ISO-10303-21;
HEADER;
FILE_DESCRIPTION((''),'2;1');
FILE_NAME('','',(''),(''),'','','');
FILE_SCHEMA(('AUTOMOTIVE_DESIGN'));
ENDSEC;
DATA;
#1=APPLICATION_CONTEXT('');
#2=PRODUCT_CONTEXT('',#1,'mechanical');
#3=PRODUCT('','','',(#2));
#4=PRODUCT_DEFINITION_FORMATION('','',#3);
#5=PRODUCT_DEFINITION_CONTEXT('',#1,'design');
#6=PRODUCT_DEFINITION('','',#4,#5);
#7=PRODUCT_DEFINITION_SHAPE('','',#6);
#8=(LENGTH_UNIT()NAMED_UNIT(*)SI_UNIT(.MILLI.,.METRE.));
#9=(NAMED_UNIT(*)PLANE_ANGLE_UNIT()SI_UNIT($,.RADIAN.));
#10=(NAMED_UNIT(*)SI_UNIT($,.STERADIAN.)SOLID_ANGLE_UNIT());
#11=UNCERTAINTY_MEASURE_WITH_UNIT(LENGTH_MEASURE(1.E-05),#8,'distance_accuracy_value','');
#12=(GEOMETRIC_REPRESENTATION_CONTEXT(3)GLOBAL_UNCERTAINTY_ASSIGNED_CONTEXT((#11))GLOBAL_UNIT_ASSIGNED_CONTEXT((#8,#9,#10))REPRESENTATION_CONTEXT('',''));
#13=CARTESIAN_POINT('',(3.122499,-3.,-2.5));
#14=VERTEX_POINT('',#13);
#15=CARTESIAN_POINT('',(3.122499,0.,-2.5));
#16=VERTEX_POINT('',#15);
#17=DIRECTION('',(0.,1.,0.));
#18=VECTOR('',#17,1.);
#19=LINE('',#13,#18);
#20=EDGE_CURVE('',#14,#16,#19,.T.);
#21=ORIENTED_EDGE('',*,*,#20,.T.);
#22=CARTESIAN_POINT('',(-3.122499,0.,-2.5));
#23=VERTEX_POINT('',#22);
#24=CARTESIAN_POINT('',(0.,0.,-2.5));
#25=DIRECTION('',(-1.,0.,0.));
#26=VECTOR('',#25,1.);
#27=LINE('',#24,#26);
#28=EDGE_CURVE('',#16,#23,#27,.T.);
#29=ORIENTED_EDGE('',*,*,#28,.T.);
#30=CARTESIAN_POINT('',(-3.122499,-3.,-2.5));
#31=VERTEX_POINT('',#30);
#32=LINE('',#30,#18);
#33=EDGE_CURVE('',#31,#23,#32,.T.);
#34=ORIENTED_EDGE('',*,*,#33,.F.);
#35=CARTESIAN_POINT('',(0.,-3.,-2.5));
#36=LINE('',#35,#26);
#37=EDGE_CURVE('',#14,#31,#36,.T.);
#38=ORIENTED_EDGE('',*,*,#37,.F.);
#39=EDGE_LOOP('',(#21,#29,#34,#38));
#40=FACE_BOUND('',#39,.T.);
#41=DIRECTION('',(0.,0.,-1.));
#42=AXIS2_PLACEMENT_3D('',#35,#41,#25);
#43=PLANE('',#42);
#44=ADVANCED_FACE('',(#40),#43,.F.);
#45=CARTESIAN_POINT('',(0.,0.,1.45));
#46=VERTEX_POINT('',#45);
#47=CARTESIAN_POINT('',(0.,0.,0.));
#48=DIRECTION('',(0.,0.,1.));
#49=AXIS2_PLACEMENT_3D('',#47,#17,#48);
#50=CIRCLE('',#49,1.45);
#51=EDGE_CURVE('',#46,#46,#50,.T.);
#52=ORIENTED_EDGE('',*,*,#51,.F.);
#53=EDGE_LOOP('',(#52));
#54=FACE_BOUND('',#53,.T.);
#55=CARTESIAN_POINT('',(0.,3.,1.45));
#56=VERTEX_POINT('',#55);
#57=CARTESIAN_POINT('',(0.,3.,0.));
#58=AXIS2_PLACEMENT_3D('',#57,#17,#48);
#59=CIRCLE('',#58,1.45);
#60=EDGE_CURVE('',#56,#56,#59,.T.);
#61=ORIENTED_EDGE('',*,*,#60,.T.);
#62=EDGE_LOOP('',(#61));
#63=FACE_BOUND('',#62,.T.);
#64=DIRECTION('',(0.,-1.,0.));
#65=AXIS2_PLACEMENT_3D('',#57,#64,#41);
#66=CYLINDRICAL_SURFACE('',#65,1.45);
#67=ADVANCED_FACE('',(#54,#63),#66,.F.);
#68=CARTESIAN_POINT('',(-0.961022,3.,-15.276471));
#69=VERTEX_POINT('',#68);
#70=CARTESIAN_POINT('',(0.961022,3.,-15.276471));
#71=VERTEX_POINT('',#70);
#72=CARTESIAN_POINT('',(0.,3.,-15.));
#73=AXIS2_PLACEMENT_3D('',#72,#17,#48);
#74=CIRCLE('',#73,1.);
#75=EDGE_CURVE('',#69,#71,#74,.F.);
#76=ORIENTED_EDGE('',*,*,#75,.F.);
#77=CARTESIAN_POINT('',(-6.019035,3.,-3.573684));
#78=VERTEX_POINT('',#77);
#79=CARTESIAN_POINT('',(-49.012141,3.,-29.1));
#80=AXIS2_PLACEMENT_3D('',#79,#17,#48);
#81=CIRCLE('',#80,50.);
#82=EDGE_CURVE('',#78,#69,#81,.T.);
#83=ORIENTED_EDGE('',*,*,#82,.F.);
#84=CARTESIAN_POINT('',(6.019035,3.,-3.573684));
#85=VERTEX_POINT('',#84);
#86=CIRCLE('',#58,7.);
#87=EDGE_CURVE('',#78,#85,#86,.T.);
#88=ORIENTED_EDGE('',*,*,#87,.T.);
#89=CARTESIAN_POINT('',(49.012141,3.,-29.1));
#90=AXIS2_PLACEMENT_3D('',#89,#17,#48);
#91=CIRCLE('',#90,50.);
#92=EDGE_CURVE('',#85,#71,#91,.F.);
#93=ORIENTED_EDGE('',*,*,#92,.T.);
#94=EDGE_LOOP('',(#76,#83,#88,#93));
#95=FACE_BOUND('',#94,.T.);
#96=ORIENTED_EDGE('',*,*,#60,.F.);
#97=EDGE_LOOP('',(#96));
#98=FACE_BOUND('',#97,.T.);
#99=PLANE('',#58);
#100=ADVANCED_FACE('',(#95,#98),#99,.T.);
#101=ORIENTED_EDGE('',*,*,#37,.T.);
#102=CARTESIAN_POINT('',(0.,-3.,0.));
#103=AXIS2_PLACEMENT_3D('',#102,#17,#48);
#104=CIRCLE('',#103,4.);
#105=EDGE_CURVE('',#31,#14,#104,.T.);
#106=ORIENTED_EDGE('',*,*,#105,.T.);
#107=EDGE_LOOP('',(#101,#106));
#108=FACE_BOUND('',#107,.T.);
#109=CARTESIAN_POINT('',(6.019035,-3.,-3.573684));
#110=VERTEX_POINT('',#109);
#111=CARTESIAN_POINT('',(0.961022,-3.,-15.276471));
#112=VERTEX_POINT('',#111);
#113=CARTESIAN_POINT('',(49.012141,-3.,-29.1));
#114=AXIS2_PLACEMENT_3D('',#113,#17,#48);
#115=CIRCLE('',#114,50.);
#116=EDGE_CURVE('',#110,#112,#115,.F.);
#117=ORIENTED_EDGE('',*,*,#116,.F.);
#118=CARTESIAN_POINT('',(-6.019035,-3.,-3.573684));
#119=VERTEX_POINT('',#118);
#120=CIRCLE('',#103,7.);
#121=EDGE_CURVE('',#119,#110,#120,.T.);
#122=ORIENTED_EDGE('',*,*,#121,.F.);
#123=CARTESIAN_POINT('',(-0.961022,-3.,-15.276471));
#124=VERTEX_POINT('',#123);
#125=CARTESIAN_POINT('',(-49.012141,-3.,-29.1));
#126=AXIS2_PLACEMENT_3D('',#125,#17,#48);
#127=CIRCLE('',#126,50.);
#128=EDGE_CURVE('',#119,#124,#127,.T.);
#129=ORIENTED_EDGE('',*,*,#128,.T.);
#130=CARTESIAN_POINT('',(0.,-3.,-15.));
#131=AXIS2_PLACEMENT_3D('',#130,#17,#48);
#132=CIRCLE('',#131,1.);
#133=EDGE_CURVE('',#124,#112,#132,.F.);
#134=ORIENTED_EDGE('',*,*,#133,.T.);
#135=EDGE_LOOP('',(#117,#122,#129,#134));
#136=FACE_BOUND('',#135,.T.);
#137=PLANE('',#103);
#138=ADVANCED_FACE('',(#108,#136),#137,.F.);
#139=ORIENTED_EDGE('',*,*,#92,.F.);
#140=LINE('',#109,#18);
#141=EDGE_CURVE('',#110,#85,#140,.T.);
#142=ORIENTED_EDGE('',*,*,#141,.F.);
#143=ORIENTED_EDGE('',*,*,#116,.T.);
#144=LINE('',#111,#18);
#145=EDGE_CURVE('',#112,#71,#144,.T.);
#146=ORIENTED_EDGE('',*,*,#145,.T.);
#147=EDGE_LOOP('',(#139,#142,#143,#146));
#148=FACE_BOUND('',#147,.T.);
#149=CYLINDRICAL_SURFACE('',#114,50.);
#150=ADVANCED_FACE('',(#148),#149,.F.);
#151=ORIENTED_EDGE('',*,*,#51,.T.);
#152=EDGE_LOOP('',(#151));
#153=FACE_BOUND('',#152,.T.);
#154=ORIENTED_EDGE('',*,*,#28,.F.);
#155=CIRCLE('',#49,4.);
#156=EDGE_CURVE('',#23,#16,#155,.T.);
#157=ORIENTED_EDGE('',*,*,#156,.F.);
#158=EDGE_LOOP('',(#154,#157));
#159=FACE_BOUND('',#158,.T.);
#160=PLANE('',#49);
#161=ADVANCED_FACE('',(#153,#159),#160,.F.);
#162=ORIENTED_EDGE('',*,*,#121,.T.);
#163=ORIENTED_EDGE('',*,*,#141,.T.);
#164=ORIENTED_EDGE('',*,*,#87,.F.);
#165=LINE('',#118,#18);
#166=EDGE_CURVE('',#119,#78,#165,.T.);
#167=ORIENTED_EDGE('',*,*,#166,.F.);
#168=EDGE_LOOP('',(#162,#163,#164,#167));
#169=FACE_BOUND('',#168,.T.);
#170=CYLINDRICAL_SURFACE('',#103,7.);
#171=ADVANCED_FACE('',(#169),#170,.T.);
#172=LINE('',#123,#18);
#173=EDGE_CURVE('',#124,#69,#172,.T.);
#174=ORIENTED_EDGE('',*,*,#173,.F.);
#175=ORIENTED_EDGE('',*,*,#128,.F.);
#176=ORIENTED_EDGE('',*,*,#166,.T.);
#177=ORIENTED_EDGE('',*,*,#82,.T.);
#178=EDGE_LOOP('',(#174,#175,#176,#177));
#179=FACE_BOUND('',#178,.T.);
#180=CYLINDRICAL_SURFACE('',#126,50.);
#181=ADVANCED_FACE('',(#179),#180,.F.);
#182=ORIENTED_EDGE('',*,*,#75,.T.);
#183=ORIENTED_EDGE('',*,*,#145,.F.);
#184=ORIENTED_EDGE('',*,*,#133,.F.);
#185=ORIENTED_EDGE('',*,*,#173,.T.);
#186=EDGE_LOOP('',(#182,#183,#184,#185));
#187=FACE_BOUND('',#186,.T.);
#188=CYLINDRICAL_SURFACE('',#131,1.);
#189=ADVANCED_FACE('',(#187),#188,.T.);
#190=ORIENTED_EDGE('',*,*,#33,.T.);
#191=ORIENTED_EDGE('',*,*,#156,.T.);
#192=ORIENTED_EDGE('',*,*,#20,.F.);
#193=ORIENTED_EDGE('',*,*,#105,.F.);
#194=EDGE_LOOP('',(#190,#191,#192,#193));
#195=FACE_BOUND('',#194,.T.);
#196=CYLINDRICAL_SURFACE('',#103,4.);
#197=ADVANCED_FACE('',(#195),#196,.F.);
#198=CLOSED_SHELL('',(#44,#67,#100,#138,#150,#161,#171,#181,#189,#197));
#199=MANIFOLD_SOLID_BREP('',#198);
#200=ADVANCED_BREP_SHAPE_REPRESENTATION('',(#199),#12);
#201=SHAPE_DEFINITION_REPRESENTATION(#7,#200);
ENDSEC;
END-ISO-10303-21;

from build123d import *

# Parameters (mm, degrees)
BOSS_EXTRUDE1_DEPTH = 3
BOSS_EXTRUDE2_START = 3
SKETCH1_3_R         = 1.45
BOSS_EXTRUDE2_DEPTH = 3


with BuildPart() as part:
    # Sketch1 → Boss-Extrude1 (new body)
    with BuildSketch(Plane(origin=(0, 0, 0), x_dir=(1, 0, 0), z_dir=(0, 1, 0))):
        with BuildLine():
            ThreePointArc((-0.961022379, 15.276470588), (-3.11550152, 9.263204593), (-6.019034903, 3.573684211))
            ThreePointArc((-6.019034903, 3.573684211), (0, -7), (6.019034903, 3.573684211))
            ThreePointArc((6.019034903, 3.573684211), (3.11550152, 9.263204593), (0.961022379, 15.276470588))
            ThreePointArc((0.961022379, 15.276470588), (0, 16), (-0.961022379, 15.276470588))
        make_face()
        with BuildLine():
            Line((-3.122498999, 2.5), (3.122498999, 2.5))
            ThreePointArc((3.122498999, 2.5), (0, -4), (-3.122498999, 2.5))
        make_face(mode=Mode.SUBTRACT)
    extrude(amount=-BOSS_EXTRUDE1_DEPTH)

    # Sketch1<3> → Boss-Extrude2 (add)
    with BuildSketch(Plane(origin=(0, 0, 0), x_dir=(1, 0, 0), z_dir=(0, 1, 0)).offset(BOSS_EXTRUDE2_START)):
        with BuildLine():
            ThreePointArc((-0.961022379, 15.276470588), (-3.11550152, 9.263204593), (-6.019034903, 3.573684211))
            ThreePointArc((-6.019034903, 3.573684211), (0, -7), (6.019034903, 3.573684211))
            ThreePointArc((6.019034903, 3.573684211), (3.11550152, 9.263204593), (0.961022379, 15.276470588))
            ThreePointArc((0.961022379, 15.276470588), (0, 16), (-0.961022379, 15.276470588))
        make_face()
        Circle(SKETCH1_3_R, mode=Mode.SUBTRACT)
    extrude(amount=-BOSS_EXTRUDE2_DEPTH)


solid = part.part
